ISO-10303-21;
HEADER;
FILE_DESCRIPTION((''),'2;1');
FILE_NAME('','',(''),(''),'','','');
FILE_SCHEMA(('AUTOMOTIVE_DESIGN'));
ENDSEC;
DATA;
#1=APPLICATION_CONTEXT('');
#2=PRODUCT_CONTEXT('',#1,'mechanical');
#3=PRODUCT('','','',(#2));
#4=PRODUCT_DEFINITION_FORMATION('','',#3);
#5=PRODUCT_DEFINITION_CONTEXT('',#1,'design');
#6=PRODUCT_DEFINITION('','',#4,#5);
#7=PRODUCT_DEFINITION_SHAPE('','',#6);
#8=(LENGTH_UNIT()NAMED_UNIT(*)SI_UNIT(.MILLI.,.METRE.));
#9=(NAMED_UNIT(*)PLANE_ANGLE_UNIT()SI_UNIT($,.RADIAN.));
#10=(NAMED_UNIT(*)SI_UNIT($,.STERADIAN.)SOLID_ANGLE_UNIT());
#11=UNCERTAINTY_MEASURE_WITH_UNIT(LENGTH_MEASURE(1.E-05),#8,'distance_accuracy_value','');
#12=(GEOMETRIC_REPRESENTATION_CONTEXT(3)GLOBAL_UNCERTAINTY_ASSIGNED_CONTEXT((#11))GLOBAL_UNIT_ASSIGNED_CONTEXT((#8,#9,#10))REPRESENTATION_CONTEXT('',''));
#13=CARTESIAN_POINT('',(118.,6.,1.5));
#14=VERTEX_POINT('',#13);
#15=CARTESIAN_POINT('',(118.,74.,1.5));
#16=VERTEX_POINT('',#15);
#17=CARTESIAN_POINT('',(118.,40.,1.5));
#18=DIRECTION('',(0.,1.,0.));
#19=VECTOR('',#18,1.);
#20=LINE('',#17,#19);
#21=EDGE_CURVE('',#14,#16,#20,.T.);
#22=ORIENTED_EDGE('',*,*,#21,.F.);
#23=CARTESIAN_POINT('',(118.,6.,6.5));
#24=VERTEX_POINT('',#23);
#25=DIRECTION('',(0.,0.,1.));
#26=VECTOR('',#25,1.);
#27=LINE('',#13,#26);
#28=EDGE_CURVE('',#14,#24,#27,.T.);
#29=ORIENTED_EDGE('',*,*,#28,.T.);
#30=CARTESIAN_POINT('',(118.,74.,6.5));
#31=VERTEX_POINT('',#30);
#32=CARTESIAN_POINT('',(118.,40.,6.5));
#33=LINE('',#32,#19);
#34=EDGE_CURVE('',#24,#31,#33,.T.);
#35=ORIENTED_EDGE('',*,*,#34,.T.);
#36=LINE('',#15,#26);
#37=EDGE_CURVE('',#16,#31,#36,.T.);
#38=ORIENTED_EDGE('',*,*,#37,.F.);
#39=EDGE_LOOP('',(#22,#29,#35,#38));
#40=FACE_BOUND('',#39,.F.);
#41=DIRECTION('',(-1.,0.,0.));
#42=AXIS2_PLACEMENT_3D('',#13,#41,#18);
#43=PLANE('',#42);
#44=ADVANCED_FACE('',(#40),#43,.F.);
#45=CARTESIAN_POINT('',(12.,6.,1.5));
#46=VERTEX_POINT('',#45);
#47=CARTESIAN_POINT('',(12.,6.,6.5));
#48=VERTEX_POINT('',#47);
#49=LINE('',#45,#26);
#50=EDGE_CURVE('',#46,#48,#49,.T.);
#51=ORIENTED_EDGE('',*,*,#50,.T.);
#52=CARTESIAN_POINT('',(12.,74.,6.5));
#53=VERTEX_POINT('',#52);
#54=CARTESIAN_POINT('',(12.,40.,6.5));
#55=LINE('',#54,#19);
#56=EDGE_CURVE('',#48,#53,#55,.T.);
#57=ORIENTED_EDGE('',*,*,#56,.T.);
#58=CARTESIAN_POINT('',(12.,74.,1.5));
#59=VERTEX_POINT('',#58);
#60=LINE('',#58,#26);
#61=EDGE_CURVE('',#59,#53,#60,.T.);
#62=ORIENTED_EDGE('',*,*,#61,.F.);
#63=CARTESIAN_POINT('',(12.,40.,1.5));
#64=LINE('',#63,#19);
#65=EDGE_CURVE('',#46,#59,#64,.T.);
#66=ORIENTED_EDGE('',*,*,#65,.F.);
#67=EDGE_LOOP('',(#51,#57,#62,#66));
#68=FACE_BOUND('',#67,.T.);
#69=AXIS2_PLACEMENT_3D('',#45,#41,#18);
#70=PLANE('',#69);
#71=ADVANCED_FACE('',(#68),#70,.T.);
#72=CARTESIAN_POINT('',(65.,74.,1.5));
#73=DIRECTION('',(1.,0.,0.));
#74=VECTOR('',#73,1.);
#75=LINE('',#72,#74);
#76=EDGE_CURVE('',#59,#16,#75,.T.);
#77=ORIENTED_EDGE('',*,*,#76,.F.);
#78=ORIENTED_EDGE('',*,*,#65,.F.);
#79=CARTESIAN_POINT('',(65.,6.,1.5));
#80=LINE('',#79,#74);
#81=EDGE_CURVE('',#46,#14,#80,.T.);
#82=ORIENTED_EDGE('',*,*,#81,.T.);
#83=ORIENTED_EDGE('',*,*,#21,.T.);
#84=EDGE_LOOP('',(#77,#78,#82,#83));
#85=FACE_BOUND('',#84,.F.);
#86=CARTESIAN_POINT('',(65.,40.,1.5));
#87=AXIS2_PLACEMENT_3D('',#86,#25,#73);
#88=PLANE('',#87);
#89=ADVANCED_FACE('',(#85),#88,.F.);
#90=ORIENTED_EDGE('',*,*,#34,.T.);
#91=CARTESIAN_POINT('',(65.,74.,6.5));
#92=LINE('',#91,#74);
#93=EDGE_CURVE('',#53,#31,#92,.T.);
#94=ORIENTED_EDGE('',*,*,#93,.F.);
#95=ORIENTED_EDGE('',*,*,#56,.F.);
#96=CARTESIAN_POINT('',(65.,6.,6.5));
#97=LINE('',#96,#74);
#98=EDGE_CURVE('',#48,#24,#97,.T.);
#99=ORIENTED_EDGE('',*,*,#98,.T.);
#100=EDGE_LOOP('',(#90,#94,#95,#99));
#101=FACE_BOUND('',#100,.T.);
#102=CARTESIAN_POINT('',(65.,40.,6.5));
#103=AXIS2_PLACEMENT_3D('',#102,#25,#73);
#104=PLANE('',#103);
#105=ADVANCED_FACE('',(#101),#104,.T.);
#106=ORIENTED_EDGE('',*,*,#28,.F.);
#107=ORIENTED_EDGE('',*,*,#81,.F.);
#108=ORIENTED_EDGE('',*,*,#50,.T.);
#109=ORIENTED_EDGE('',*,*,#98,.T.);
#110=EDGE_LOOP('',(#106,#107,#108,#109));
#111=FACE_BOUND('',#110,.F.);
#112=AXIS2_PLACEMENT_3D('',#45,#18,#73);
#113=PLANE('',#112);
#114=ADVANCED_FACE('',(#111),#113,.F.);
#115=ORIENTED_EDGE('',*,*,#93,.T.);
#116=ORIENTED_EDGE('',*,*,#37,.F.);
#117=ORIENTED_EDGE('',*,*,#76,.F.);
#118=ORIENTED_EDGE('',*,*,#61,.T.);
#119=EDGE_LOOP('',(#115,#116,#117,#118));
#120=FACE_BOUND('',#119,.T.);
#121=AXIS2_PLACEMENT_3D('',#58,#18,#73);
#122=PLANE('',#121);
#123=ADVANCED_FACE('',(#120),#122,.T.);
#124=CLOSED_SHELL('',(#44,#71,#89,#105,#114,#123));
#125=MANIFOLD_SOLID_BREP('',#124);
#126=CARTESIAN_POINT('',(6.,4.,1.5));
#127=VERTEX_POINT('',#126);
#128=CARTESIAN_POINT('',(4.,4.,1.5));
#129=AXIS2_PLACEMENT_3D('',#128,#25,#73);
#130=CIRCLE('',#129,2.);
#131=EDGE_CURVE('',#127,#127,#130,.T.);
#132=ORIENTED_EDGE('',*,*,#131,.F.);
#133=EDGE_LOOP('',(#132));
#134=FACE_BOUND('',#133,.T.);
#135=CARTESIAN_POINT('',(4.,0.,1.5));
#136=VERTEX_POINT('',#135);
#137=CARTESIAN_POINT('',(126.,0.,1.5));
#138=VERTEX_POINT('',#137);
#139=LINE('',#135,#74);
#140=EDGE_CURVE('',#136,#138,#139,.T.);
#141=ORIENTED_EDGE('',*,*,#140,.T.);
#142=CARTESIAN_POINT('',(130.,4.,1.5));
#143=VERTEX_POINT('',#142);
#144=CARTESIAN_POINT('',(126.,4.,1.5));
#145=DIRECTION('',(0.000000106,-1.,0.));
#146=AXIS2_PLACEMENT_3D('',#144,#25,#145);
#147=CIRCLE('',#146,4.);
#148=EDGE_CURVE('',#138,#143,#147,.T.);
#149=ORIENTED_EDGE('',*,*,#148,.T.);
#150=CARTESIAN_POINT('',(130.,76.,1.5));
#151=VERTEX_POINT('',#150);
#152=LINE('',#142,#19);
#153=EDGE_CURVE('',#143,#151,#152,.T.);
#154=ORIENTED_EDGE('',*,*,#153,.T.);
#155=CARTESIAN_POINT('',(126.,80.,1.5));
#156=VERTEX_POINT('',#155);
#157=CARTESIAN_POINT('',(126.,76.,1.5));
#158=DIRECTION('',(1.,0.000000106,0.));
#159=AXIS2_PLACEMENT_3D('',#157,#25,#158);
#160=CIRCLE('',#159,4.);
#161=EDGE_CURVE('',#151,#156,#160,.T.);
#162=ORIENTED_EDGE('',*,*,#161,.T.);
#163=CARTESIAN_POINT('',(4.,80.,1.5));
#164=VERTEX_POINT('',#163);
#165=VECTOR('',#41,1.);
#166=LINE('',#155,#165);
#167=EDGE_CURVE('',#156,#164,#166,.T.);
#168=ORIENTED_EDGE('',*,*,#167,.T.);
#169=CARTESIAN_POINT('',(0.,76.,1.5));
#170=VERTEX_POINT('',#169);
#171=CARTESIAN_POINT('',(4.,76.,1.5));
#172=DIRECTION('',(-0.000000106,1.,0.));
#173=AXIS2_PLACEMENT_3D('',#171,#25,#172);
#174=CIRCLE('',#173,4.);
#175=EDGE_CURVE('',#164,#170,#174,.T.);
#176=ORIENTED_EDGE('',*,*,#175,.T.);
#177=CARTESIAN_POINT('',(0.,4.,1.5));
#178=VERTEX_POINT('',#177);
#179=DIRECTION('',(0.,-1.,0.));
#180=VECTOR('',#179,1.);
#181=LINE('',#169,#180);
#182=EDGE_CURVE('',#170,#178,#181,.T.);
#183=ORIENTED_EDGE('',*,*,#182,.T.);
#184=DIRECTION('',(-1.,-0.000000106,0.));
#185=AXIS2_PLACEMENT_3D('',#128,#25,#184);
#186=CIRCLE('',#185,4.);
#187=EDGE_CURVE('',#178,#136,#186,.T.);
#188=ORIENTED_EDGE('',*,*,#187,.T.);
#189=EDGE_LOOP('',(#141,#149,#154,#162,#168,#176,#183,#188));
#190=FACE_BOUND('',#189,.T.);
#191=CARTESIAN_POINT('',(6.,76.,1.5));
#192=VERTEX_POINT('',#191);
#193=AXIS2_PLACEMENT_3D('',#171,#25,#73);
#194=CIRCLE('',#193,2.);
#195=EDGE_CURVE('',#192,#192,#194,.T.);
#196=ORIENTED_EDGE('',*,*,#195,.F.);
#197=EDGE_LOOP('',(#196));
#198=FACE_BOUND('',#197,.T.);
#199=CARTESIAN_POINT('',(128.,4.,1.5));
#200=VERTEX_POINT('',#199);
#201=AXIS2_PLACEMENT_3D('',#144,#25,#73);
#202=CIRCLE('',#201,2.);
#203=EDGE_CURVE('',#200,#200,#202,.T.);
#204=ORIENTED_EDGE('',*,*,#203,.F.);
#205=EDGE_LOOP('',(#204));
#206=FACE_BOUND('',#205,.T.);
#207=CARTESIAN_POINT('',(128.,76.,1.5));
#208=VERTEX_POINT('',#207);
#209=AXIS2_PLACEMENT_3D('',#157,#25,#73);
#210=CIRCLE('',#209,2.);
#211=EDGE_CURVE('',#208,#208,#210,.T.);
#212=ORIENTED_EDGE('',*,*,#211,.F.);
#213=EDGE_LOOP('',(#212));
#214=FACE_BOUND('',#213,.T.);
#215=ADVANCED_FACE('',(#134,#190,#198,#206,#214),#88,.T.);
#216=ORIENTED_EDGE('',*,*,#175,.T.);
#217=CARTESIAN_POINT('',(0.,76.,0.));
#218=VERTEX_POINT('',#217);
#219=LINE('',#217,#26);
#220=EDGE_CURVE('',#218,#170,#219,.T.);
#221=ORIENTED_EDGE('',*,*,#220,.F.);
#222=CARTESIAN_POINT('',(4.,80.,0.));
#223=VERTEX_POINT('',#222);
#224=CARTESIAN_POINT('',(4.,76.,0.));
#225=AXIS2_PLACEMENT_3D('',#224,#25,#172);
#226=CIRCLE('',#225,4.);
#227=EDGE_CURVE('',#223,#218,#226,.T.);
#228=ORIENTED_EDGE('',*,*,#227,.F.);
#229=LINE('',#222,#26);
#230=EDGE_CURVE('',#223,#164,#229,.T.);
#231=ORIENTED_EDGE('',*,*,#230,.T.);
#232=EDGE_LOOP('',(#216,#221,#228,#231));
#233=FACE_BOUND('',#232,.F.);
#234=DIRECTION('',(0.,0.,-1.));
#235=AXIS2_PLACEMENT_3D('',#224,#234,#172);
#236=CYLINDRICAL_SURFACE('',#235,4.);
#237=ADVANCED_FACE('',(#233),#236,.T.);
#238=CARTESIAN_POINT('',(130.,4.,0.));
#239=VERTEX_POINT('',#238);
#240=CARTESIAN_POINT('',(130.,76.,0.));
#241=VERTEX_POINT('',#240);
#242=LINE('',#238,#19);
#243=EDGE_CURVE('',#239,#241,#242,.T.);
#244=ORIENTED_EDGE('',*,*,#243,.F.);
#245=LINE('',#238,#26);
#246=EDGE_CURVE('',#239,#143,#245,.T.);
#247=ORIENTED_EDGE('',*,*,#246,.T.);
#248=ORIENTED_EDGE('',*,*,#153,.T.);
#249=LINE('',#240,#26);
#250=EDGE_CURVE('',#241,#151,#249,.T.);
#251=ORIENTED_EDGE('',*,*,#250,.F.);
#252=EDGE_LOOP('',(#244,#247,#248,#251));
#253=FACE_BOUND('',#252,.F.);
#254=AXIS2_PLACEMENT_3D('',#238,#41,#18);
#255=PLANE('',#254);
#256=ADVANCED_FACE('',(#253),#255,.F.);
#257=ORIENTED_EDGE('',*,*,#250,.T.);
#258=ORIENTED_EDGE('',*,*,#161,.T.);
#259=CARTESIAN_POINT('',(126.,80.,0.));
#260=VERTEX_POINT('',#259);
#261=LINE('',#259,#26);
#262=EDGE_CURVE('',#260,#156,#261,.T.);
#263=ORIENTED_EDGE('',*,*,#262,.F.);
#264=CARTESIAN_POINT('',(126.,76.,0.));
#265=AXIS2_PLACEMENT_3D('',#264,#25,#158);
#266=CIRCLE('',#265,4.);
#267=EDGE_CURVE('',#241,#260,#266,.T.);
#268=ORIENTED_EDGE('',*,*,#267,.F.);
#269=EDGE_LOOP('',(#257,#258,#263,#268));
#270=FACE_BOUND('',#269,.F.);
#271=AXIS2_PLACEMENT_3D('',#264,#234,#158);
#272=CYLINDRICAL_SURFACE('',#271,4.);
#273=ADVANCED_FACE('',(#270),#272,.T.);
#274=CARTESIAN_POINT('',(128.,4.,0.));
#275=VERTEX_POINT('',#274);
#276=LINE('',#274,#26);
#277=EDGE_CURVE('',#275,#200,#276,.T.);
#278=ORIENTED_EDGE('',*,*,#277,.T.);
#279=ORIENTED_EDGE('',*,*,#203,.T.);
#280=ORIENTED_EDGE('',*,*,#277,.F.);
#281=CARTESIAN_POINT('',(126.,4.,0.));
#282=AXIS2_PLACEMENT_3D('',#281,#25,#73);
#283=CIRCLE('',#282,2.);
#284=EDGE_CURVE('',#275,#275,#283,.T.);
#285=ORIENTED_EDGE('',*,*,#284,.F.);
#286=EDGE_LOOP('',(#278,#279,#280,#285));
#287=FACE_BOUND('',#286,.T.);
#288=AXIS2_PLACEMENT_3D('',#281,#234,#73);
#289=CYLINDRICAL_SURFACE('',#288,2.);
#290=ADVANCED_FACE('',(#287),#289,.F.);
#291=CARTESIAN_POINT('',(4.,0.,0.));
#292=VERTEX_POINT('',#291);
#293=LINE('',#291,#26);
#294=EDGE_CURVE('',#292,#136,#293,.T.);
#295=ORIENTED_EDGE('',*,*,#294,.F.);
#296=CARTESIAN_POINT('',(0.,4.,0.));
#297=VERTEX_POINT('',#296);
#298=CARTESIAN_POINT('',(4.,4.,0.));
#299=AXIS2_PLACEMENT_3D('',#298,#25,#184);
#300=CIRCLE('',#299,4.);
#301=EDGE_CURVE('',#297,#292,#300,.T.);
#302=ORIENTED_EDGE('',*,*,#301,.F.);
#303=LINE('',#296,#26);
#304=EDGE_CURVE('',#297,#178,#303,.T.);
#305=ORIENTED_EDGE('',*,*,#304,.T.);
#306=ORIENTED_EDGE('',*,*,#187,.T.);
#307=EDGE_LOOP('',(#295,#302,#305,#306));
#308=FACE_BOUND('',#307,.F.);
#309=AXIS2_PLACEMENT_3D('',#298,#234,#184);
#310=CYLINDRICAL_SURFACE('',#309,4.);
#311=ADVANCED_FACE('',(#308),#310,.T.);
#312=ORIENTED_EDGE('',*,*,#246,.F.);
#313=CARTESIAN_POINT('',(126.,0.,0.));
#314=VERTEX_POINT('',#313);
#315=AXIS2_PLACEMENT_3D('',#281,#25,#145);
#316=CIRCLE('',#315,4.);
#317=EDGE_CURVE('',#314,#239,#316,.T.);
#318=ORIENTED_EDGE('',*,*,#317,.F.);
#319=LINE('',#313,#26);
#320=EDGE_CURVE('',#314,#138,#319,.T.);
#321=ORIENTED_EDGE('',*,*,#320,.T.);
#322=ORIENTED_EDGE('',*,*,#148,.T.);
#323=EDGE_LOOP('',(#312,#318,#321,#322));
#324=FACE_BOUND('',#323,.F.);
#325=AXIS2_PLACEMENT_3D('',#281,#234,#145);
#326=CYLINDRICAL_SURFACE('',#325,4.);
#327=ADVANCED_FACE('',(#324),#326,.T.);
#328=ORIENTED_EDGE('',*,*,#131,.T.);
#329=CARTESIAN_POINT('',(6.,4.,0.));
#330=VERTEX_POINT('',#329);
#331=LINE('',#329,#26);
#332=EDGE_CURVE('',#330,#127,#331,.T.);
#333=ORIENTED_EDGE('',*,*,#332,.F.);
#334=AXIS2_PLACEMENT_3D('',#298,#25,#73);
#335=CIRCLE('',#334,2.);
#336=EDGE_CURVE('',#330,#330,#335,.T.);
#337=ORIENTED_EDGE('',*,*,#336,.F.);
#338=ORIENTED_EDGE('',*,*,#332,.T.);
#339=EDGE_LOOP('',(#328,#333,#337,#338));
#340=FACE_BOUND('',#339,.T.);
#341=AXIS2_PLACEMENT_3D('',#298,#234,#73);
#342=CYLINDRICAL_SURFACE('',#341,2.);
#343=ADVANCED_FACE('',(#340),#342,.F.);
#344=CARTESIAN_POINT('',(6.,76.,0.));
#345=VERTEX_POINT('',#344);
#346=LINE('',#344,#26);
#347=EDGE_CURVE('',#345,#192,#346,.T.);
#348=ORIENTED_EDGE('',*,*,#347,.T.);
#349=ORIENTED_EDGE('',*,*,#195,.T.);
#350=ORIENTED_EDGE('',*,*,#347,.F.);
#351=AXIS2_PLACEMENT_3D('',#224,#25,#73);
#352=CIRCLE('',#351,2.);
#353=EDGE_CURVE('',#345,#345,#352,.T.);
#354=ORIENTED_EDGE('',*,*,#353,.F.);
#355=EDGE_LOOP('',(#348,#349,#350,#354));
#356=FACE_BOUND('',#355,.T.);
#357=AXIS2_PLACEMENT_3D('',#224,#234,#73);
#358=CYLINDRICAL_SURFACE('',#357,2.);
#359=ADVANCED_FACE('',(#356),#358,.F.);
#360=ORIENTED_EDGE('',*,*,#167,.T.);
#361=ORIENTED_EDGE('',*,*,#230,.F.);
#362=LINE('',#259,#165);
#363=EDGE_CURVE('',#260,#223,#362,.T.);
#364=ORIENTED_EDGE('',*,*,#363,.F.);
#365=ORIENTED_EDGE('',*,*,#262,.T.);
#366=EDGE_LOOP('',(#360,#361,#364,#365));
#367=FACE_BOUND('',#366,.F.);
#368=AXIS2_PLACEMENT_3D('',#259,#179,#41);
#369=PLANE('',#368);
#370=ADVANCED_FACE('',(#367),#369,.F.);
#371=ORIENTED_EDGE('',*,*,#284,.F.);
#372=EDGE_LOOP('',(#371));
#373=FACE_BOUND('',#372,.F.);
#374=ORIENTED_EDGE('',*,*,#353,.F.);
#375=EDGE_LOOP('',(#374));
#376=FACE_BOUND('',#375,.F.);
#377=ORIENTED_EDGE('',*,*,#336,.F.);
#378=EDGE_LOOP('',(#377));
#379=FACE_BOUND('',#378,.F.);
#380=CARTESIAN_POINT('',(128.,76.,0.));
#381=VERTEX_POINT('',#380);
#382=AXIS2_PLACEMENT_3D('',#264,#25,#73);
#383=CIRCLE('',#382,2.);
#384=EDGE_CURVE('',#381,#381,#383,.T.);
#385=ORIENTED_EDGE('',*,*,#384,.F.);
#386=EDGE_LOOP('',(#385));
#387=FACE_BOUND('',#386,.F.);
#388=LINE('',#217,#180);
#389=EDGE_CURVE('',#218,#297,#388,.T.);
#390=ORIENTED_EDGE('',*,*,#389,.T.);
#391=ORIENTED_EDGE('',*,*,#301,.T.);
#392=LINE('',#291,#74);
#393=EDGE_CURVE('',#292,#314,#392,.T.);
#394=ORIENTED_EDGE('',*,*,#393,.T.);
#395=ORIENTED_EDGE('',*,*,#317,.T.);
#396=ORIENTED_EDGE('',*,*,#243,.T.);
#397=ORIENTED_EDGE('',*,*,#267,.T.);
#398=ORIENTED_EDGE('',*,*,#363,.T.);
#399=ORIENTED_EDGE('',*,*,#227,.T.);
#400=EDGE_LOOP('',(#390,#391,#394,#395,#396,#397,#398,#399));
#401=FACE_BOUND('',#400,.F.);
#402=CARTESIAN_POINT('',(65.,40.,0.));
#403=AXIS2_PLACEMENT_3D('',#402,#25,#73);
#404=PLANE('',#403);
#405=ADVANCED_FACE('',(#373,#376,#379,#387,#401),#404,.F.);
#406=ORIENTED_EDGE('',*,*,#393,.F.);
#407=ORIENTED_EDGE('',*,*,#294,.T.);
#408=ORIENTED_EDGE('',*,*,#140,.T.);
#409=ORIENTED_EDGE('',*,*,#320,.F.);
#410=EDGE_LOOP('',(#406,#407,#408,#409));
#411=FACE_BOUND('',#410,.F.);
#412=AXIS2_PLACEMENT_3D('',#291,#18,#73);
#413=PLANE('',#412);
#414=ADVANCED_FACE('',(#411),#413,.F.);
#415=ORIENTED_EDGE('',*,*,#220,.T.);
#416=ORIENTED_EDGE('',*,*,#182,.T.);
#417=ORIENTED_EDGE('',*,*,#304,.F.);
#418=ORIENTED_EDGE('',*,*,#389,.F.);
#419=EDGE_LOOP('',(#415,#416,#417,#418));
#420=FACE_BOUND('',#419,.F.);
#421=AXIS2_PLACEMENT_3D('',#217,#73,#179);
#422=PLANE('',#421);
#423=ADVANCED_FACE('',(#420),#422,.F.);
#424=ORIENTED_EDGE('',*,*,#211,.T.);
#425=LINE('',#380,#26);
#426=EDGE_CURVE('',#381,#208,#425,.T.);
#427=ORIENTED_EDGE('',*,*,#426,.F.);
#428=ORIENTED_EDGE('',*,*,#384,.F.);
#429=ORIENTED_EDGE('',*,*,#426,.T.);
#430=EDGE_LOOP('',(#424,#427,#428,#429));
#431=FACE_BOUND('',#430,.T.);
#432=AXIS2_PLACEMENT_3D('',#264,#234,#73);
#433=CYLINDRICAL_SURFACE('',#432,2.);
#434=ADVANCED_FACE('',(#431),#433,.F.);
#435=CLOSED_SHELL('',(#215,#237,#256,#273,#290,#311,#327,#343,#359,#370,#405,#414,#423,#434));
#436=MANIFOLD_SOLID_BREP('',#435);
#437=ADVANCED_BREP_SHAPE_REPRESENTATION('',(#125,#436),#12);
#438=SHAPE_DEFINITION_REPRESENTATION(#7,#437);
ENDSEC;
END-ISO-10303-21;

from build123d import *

# Parameters (mm, degrees)
F0_R     = 2
F1_DEPTH = 1.5
F2_W     = 106
F2_H     = 68
F3_DEPTH = 5


with BuildPart() as f1:
    # F0 (on Top) → F1 (new body)
    with BuildSketch(Plane.XY):
        with BuildLine():
            ThreePointArc((0, 4), (1.171573, 1.171573), (4, 0))
            Line((4, 0), (126, 0))
            ThreePointArc((126, 0), (128.828427, 1.171573), (130, 4))
            Line((130, 4), (130, 76))
            ThreePointArc((130, 76), (128.828427, 78.828427), (126, 80))
            Line((126, 80), (4, 80))
            ThreePointArc((4, 80), (1.171573, 78.828427), (0, 76))
            Line((0, 76), (0, 4))
        make_face()
        with Locations((4, 4)):
            Circle(F0_R, mode=Mode.SUBTRACT)
        with Locations((126, 4)):
            Circle(F0_R, mode=Mode.SUBTRACT)
        with Locations((4, 76)):
            Circle(F0_R, mode=Mode.SUBTRACT)
        with Locations((126, 76)):
            Circle(F0_R, mode=Mode.SUBTRACT)
    extrude(amount=F1_DEPTH)


with BuildPart() as f3:
    # F2 (on face) → F3 (new body)
    with BuildSketch(Plane.XY.offset(1.5)):
        with Locations((65, 40)):
            Rectangle(F2_W, F2_H)
    extrude(amount=F3_DEPTH)


solid = Compound([f1.part, f3.part])
